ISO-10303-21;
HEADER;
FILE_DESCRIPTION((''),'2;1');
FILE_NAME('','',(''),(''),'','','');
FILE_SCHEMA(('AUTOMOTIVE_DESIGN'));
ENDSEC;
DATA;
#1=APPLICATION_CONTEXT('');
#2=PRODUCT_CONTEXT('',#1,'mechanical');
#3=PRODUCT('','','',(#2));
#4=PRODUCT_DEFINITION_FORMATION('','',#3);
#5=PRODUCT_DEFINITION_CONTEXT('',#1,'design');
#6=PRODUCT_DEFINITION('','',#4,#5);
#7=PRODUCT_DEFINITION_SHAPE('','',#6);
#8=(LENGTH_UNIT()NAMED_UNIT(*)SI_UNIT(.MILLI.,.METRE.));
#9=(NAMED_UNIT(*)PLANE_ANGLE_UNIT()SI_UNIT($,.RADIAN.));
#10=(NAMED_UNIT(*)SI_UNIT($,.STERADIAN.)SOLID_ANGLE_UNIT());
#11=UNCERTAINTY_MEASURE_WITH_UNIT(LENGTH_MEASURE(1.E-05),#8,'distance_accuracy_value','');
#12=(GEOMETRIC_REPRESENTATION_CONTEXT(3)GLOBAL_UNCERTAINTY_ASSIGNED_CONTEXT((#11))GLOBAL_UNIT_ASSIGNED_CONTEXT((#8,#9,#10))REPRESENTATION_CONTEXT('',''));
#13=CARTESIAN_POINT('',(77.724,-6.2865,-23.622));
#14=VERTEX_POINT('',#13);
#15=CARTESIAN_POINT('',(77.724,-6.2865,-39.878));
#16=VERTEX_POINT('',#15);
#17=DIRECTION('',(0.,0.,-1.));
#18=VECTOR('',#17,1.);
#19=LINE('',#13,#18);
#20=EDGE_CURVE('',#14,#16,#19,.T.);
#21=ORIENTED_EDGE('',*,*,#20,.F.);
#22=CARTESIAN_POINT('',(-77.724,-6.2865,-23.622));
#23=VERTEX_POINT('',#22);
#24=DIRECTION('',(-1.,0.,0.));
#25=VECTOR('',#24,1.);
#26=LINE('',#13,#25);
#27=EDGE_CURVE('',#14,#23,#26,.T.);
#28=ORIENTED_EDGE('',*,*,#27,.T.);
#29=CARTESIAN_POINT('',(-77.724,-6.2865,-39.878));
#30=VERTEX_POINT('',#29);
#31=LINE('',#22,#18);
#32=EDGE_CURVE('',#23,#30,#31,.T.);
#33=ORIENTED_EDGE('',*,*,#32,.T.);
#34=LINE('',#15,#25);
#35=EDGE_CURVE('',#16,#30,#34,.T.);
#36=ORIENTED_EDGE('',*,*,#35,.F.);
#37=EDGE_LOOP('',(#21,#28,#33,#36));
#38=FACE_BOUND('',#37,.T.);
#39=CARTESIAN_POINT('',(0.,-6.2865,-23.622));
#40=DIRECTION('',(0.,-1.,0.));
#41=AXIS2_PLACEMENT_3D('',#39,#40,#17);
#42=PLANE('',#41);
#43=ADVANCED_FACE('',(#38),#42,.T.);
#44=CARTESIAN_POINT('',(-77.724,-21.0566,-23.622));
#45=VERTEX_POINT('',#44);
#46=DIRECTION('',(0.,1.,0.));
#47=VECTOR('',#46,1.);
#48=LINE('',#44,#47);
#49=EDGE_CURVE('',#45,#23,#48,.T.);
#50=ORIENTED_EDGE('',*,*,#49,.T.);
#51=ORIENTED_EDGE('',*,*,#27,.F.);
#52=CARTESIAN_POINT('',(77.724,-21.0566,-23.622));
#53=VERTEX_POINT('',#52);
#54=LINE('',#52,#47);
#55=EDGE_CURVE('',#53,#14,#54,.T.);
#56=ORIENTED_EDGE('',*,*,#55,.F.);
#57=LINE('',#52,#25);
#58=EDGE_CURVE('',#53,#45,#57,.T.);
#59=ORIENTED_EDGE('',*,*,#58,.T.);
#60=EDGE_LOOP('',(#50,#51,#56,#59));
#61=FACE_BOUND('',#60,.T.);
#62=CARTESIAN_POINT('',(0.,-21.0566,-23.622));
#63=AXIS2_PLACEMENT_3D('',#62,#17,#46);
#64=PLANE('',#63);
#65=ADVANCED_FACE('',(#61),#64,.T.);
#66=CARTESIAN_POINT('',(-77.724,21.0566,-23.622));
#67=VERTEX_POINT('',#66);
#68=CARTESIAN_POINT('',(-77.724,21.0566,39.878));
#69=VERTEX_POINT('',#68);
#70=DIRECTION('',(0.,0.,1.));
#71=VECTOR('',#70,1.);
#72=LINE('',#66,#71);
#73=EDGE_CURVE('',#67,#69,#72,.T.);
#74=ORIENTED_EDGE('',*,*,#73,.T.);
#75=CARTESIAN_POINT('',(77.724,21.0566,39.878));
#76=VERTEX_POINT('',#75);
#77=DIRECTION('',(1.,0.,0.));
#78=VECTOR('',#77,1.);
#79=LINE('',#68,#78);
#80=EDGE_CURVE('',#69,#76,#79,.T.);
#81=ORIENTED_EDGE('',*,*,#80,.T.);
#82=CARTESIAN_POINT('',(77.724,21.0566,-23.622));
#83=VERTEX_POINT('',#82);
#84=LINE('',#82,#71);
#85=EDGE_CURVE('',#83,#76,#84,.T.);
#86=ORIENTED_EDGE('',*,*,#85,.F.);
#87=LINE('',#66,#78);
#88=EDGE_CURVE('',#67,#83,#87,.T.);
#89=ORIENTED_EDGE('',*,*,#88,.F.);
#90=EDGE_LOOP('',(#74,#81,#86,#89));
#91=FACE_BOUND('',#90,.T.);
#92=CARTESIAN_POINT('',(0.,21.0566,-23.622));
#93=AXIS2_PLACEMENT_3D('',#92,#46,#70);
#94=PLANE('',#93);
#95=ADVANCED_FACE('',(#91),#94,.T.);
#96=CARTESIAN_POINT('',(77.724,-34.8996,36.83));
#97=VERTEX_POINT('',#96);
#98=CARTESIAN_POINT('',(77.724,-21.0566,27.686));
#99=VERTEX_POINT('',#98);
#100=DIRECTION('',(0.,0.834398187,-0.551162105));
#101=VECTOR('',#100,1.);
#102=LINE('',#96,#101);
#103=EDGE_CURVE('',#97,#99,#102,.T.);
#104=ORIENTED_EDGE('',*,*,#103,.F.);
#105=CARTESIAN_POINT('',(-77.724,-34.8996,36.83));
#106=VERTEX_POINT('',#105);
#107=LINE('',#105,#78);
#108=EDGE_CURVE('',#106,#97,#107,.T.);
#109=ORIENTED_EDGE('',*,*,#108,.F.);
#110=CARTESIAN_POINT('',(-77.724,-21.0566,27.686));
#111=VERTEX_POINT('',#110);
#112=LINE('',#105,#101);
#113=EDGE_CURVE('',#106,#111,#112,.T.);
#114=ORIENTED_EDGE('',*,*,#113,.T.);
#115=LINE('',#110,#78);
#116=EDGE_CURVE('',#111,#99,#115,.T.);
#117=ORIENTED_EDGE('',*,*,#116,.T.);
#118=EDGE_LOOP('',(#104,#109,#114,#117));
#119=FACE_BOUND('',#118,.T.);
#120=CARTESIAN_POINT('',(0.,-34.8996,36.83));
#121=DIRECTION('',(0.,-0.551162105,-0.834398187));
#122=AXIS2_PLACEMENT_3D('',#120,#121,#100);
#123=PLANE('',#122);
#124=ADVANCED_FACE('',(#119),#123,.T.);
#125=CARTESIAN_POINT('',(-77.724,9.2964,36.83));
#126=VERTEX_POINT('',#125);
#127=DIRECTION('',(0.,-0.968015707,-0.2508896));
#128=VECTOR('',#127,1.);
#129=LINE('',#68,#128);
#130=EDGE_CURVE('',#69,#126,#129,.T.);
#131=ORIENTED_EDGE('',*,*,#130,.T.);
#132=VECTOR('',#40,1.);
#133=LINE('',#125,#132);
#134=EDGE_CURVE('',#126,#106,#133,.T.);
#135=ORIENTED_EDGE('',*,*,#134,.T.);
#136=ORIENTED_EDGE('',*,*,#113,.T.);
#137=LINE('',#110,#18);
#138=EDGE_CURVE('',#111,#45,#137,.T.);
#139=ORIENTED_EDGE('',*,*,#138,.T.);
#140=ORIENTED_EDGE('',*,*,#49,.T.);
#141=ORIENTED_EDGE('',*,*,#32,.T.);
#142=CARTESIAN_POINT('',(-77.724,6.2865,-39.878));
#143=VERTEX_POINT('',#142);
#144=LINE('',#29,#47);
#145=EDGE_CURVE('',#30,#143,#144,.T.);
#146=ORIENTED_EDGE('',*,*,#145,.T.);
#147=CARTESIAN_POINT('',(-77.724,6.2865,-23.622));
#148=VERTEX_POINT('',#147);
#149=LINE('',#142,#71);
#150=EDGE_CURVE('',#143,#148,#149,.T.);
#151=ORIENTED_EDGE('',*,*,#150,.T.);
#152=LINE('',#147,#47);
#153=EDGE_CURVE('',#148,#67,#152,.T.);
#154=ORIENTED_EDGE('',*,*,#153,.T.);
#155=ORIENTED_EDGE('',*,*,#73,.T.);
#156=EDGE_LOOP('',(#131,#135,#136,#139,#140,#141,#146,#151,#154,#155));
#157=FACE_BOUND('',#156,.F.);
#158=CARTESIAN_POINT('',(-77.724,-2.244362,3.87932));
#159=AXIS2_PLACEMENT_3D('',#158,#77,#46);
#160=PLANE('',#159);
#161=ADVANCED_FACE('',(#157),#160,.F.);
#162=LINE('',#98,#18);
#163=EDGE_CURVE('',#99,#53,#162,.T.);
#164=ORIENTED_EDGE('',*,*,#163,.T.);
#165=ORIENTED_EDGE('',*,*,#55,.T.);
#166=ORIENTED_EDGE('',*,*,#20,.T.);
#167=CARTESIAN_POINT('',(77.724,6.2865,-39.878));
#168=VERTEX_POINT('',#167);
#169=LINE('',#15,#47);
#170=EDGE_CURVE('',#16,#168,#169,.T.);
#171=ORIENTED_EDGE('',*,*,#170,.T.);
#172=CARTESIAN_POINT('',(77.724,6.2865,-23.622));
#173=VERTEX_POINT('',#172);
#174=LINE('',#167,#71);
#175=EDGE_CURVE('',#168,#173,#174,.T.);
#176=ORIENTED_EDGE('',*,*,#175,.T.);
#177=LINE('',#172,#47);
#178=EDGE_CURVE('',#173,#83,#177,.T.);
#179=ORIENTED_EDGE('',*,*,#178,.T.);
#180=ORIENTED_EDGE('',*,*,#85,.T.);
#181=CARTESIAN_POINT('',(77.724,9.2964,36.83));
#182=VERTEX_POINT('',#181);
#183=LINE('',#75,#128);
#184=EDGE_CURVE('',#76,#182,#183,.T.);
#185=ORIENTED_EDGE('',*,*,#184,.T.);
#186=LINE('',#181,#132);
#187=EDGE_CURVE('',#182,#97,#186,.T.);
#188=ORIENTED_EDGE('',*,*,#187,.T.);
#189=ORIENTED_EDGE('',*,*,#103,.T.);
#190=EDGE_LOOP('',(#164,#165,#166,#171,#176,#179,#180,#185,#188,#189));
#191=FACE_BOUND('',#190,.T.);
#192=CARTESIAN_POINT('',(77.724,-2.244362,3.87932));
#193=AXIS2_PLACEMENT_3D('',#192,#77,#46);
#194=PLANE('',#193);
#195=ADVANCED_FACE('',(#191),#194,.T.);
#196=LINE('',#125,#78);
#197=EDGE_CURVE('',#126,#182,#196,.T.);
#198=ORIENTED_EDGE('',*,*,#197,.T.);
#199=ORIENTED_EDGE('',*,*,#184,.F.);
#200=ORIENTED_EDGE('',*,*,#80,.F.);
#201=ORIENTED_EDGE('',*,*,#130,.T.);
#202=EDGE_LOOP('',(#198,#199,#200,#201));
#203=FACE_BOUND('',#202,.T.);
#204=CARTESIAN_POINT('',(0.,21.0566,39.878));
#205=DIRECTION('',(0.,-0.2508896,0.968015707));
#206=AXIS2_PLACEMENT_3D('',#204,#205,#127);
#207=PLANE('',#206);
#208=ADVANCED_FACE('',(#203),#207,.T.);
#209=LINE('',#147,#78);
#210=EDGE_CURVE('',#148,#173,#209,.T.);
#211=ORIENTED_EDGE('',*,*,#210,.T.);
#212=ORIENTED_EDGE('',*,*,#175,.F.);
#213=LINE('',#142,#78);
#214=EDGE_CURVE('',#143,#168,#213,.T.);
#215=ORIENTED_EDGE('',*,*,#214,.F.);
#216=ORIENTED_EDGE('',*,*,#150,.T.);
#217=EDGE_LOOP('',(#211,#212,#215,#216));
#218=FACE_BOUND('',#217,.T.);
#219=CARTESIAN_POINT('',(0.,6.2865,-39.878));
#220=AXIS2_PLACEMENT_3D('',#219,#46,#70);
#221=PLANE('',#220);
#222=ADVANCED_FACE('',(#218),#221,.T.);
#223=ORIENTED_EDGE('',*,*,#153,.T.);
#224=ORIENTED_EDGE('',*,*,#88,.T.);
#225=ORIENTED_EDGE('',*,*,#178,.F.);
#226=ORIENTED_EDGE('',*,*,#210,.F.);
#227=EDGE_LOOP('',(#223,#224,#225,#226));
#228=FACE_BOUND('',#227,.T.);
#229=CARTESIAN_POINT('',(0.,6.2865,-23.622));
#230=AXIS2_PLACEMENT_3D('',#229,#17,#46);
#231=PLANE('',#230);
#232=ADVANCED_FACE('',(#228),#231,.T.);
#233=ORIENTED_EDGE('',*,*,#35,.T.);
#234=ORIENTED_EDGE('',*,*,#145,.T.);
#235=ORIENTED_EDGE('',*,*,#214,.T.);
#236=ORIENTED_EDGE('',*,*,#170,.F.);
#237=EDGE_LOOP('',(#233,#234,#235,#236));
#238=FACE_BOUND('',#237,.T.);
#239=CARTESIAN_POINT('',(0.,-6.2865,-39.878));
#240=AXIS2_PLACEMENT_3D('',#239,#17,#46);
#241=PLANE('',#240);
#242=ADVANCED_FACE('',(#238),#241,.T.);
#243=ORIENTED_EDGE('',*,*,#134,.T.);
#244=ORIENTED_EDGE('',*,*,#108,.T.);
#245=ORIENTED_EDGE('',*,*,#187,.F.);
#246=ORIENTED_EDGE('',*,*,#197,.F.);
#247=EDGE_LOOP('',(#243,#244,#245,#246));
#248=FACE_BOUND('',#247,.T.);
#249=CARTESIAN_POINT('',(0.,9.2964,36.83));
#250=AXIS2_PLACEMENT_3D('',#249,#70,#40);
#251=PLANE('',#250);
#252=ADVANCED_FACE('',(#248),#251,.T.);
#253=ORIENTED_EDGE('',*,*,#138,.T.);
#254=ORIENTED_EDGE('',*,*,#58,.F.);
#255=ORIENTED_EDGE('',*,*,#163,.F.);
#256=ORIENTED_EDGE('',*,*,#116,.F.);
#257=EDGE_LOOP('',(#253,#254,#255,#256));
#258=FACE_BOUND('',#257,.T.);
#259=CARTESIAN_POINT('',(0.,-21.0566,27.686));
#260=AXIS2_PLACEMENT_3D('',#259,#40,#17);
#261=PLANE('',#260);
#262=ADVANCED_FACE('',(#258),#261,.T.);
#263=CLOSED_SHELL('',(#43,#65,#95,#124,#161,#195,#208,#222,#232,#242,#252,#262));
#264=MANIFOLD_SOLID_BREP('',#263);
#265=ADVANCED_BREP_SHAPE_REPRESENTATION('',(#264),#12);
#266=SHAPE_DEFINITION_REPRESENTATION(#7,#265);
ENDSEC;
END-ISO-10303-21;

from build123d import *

# Parameters (mm, degrees)
F1_DEPTH = 77.724


with BuildPart() as f1:
    # F0 (on Right) → F1 (new body, symmetric)
    with BuildSketch(Plane.YZ):
        Polygon((-6.2865, -39.878), (6.2865, -39.878), (6.2865, -23.622), (21.0566, -23.622), (21.0566, 36.83), (21.0566, 39.878), (9.2964, 36.83), (-34.8996, 36.83), (-21.0566, 27.686), (-21.0566, -23.622), (-6.2865, -23.622), align=None)
    extrude(amount=F1_DEPTH, both=True)


solid = f1.part
